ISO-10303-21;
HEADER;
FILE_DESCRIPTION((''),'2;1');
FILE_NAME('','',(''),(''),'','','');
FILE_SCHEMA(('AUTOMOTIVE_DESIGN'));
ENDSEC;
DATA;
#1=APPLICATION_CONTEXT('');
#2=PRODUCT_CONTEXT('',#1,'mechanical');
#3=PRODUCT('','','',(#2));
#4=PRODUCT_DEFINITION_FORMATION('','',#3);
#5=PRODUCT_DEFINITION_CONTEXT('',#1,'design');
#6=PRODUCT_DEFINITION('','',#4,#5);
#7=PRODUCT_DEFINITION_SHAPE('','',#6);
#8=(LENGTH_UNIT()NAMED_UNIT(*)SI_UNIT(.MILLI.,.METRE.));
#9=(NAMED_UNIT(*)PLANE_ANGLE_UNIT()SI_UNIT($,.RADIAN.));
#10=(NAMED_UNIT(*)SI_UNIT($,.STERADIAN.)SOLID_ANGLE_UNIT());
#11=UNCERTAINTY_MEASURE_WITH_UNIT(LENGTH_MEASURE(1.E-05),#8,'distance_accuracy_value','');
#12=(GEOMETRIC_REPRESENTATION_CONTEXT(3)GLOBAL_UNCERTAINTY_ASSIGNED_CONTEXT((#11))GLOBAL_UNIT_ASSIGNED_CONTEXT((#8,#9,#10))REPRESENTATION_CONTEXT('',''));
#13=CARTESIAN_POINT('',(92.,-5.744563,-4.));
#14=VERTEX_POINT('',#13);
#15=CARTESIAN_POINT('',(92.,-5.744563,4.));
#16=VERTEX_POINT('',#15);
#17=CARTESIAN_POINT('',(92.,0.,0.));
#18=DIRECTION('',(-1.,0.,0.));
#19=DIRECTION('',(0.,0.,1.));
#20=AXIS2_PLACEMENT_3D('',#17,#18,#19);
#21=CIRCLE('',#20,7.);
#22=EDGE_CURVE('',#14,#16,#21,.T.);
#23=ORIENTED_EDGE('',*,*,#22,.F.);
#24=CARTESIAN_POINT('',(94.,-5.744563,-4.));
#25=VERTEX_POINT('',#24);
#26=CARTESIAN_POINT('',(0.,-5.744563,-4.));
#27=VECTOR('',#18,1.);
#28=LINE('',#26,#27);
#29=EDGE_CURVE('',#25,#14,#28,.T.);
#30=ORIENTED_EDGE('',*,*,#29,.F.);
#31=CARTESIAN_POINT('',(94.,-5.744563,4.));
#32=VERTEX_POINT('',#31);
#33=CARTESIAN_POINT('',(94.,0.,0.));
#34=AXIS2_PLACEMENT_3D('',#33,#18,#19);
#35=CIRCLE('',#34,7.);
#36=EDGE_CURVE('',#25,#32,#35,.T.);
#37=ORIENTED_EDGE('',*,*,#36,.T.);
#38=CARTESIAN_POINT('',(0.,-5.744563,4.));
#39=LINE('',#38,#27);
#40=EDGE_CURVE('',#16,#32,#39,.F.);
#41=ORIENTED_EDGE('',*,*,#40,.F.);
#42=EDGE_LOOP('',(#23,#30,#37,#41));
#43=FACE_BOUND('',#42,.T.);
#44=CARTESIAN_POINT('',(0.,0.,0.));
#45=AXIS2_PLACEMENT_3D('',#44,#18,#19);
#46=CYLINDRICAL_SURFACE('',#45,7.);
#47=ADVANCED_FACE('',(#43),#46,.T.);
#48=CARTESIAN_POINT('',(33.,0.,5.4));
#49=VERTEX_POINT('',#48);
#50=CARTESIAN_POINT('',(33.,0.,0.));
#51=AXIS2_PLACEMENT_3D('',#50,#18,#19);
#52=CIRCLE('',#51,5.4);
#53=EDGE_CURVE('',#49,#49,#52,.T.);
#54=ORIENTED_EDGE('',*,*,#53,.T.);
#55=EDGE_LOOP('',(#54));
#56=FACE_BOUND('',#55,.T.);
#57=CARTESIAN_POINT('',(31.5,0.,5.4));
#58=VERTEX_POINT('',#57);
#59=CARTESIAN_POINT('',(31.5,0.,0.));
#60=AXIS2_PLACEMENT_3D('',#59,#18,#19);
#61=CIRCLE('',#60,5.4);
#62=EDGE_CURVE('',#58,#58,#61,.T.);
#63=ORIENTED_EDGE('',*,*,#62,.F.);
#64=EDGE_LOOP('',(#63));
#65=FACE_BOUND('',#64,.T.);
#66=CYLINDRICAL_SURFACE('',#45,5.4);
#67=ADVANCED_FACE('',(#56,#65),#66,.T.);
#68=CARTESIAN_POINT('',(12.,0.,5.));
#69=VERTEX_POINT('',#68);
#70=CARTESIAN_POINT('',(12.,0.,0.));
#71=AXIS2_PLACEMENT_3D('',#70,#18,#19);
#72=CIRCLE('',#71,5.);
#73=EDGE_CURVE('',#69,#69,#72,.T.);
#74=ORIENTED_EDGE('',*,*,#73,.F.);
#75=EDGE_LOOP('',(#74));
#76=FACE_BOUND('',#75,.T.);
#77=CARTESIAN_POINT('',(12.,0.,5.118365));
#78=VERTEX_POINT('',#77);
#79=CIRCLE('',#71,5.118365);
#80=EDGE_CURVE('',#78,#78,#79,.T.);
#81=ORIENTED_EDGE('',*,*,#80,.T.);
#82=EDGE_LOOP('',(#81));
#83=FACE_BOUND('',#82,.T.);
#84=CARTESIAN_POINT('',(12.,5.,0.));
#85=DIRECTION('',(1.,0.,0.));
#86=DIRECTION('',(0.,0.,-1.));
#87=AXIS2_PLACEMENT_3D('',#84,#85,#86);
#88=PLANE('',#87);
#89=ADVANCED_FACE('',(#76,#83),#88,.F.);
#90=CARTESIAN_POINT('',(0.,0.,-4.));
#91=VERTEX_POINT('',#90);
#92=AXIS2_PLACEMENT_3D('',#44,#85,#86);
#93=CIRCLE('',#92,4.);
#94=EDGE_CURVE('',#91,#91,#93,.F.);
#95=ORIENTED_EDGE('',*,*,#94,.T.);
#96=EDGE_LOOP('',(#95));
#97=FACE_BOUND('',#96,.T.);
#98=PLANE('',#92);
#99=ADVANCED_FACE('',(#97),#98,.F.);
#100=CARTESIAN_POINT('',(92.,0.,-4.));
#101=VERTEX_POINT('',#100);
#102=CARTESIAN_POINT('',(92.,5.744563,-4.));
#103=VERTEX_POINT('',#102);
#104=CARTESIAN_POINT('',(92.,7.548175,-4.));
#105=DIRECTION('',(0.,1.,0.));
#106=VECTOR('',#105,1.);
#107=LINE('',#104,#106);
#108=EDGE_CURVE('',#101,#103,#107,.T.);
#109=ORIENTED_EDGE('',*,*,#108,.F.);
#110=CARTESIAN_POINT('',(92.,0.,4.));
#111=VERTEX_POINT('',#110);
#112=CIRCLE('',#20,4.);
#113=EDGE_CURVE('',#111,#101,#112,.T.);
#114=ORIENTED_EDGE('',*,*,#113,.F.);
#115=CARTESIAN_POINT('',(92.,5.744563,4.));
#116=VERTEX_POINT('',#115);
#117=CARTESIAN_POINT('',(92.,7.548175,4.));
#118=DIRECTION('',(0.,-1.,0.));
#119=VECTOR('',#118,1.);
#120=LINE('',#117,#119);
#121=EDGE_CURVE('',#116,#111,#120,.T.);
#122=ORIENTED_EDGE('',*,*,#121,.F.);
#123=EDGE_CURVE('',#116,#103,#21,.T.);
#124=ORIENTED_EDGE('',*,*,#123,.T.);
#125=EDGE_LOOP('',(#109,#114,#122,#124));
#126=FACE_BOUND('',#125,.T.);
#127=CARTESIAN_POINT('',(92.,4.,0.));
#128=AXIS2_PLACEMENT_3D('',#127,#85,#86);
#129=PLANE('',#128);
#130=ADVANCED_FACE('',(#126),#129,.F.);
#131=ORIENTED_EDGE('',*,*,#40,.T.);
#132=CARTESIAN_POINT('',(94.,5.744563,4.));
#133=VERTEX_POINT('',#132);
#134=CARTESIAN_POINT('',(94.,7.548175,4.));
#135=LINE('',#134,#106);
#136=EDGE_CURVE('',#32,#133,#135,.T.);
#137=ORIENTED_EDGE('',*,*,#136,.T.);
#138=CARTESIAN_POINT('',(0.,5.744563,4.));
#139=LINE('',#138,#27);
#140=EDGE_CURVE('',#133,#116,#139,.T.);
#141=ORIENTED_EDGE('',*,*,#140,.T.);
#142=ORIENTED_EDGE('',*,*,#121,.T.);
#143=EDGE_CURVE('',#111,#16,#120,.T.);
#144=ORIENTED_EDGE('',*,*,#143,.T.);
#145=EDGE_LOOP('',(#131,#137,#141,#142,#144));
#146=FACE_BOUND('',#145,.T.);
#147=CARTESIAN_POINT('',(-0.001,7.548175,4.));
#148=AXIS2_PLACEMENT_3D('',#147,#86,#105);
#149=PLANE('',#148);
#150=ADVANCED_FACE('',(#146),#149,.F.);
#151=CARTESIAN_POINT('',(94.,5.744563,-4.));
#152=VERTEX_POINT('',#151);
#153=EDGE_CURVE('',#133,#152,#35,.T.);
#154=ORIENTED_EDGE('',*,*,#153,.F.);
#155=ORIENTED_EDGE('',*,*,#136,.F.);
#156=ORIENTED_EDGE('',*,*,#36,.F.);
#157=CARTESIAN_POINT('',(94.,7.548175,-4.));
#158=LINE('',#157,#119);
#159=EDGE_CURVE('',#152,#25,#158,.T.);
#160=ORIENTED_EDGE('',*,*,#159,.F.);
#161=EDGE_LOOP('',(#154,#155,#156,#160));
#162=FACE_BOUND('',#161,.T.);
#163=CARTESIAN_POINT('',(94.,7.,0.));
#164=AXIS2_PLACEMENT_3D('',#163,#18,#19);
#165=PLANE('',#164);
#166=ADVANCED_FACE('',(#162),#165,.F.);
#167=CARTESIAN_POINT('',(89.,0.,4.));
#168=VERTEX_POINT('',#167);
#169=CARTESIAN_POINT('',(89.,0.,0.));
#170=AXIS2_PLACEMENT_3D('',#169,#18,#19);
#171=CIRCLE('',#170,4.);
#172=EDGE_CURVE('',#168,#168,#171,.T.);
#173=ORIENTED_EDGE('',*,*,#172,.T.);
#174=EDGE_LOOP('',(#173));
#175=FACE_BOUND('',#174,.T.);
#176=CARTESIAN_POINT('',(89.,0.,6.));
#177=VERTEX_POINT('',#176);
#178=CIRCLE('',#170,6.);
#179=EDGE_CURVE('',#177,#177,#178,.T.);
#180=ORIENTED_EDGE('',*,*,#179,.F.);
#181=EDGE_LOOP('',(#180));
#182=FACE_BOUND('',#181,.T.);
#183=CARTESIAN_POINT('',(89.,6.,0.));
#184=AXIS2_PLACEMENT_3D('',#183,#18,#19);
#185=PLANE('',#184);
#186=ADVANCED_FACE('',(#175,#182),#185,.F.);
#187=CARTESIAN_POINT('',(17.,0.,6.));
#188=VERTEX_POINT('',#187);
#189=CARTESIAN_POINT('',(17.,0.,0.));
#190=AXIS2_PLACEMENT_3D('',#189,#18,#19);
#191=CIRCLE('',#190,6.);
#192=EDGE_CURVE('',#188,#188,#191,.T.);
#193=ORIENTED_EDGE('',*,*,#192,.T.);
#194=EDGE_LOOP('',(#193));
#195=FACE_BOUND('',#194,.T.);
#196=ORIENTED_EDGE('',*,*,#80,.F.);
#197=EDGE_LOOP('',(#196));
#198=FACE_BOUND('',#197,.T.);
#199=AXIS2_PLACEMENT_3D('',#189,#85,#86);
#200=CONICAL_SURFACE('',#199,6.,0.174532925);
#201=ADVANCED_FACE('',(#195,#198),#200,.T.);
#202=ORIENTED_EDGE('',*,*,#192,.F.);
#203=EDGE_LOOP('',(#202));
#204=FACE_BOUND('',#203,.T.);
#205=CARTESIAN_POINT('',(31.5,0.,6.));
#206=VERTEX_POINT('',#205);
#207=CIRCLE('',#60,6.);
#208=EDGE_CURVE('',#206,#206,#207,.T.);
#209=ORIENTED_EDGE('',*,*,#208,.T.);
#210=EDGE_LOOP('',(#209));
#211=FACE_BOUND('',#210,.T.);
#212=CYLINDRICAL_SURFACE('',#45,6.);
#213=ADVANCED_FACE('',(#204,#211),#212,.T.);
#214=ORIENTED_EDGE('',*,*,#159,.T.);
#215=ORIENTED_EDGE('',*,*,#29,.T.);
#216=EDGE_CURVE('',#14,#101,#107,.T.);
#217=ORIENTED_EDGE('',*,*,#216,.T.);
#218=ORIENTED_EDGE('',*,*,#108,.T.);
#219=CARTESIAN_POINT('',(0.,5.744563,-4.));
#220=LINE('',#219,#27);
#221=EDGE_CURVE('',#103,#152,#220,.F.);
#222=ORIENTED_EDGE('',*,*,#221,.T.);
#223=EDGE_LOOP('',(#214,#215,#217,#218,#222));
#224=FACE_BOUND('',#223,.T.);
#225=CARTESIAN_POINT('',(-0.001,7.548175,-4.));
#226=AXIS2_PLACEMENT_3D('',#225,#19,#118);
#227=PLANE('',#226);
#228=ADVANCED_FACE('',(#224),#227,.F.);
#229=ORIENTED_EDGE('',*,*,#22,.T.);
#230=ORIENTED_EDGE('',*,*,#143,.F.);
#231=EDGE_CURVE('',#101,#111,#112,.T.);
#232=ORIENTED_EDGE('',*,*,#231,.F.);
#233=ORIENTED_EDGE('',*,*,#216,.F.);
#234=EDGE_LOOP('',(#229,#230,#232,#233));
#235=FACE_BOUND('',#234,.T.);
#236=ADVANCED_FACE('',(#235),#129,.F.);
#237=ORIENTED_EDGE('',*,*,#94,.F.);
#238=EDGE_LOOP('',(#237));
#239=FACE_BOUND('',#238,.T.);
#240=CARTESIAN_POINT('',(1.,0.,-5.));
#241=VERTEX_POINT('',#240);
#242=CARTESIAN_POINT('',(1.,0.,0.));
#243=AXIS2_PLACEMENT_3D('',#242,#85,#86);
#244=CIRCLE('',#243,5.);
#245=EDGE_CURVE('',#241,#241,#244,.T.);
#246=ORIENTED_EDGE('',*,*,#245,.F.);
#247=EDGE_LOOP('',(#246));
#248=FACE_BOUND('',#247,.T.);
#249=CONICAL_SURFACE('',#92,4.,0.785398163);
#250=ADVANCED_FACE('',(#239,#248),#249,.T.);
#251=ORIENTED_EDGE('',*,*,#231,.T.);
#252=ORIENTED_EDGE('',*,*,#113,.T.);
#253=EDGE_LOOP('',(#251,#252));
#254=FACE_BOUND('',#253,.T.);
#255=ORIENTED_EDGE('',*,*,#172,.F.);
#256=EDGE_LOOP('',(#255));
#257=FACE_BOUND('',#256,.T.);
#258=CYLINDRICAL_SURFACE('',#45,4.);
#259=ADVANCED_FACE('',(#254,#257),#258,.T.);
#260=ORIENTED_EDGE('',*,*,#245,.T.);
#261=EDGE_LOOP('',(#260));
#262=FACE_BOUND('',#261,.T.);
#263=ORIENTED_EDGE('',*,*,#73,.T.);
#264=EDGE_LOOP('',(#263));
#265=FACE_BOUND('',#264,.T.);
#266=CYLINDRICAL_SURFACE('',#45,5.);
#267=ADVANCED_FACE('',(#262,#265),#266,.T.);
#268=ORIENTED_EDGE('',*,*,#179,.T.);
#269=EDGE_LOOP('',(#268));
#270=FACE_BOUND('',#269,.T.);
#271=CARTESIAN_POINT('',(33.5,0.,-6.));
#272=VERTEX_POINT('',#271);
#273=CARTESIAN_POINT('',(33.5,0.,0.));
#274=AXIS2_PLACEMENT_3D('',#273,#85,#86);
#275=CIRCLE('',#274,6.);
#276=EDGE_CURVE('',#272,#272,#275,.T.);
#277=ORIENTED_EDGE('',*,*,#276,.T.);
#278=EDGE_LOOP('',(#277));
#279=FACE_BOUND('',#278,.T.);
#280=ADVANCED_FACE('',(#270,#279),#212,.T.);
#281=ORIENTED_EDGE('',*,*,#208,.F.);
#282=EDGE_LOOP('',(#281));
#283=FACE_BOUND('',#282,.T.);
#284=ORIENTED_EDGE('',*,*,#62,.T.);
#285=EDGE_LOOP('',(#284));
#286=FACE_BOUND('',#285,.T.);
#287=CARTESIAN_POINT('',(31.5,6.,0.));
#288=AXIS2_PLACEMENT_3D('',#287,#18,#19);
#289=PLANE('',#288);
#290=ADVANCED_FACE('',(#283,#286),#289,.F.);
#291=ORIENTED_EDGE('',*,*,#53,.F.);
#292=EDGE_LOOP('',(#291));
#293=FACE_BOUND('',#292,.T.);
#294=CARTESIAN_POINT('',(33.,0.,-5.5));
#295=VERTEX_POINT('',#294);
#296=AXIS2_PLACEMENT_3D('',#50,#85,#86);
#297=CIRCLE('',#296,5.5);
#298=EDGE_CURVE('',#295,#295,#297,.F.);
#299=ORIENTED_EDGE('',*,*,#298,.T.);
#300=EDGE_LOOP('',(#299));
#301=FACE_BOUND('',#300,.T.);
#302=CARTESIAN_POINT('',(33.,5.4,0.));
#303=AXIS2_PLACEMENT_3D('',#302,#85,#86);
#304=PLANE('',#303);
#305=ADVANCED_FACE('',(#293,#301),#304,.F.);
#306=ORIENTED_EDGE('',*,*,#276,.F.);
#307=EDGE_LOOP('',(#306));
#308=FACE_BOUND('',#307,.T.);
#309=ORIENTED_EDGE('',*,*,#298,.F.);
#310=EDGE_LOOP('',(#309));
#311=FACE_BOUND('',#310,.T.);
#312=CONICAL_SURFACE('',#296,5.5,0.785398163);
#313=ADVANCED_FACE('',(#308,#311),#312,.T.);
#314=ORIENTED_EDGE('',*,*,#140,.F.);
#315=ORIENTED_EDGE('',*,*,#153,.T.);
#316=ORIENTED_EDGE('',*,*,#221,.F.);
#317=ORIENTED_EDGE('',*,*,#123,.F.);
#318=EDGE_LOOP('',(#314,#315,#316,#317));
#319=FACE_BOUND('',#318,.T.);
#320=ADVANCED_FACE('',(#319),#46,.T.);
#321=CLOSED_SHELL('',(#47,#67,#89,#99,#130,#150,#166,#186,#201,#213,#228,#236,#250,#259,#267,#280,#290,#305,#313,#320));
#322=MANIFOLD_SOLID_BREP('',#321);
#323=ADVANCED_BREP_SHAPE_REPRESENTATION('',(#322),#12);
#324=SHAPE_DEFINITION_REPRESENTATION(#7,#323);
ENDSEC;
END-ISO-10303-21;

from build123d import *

# Parameters (mm, degrees)
CHANFREIN1_SIZE         = 1
CHANFREIN2_SIZE         = 0.5
ENL_V_MAT_EXTRU_1_REACH = 96.52
ESQUISSE2_W             = 5.137351374
ESQUISSE2_H             = 15.268552686


with BuildPart() as part:
    # Esquisse1 → Révolution1 (revolve)
    with BuildSketch(Plane.XY, mode=Mode.PRIVATE) as r_volution1_sk:
        Polygon((0, 0), (0, 5), (12, 5), (12, 5.118365096), (17, 6), (31.5, 6), (31.5, 5.4), (33, 5.4), (33, 6), (89, 6), (89, 4), (92, 4), (92, 7), (94, 7), (94, 0), align=None)
    revolve(r_volution1_sk.sketch.rotate(Axis((0, 0, 0), (1, 0, 0)), 90), axis=Axis((0, 0, 0), (1, 0, 0)))

    # Chanfrein1
    chanfrein1_edges = [part.edges().sort_by_distance(p)[0] for p in [
        (0, 0, -5),
    ]]
    chamfer(chanfrein1_edges, length=CHANFREIN1_SIZE)

    # Chanfrein2
    chanfrein2_edges = [part.edges().sort_by_distance(p)[0] for p in [
        (33, 0, -6),
    ]]
    chamfer(chanfrein2_edges, length=CHANFREIN2_SIZE)

    # Esquisse2 → Enlèv. mat.-Extru.1 (cut, up to next)
    with BuildSketch(Plane(origin=(94, 0, 0), x_dir=(0, 0, -1), z_dir=(1, 0, 0)), mode=Mode.PRIVATE) as enl_v_mat_extru_1_sk1:
        with Locations((-6.568675687, -0.086100861)):
            Rectangle(ESQUISSE2_W, ESQUISSE2_H)
    enl_v_mat_extru_1_tool1 = extrude(enl_v_mat_extru_1_sk1.sketch, amount=-ENL_V_MAT_EXTRU_1_REACH, mode=Mode.PRIVATE) & part.part
    # Esquisse2 → Enlèv. mat.-Extru.1 (cut, up to next)
    with BuildSketch(Plane(origin=(94, 0, 0), x_dir=(0, 0, -1), z_dir=(1, 0, 0)), mode=Mode.PRIVATE) as enl_v_mat_extru_1_sk2:
        with Locations((6.568675687, -0.086100861)):
            Rectangle(ESQUISSE2_W, ESQUISSE2_H)
    enl_v_mat_extru_1_tool2 = extrude(enl_v_mat_extru_1_sk2.sketch, amount=-ENL_V_MAT_EXTRU_1_REACH, mode=Mode.PRIVATE) & part.part
    add(enl_v_mat_extru_1_tool1.solids().sort_by_distance((94, -0.086101, 6.568676))[0], mode=Mode.SUBTRACT)
    add(enl_v_mat_extru_1_tool2.solids().sort_by_distance((94, -0.086101, -6.568676))[0], mode=Mode.SUBTRACT)


solid = part.part
